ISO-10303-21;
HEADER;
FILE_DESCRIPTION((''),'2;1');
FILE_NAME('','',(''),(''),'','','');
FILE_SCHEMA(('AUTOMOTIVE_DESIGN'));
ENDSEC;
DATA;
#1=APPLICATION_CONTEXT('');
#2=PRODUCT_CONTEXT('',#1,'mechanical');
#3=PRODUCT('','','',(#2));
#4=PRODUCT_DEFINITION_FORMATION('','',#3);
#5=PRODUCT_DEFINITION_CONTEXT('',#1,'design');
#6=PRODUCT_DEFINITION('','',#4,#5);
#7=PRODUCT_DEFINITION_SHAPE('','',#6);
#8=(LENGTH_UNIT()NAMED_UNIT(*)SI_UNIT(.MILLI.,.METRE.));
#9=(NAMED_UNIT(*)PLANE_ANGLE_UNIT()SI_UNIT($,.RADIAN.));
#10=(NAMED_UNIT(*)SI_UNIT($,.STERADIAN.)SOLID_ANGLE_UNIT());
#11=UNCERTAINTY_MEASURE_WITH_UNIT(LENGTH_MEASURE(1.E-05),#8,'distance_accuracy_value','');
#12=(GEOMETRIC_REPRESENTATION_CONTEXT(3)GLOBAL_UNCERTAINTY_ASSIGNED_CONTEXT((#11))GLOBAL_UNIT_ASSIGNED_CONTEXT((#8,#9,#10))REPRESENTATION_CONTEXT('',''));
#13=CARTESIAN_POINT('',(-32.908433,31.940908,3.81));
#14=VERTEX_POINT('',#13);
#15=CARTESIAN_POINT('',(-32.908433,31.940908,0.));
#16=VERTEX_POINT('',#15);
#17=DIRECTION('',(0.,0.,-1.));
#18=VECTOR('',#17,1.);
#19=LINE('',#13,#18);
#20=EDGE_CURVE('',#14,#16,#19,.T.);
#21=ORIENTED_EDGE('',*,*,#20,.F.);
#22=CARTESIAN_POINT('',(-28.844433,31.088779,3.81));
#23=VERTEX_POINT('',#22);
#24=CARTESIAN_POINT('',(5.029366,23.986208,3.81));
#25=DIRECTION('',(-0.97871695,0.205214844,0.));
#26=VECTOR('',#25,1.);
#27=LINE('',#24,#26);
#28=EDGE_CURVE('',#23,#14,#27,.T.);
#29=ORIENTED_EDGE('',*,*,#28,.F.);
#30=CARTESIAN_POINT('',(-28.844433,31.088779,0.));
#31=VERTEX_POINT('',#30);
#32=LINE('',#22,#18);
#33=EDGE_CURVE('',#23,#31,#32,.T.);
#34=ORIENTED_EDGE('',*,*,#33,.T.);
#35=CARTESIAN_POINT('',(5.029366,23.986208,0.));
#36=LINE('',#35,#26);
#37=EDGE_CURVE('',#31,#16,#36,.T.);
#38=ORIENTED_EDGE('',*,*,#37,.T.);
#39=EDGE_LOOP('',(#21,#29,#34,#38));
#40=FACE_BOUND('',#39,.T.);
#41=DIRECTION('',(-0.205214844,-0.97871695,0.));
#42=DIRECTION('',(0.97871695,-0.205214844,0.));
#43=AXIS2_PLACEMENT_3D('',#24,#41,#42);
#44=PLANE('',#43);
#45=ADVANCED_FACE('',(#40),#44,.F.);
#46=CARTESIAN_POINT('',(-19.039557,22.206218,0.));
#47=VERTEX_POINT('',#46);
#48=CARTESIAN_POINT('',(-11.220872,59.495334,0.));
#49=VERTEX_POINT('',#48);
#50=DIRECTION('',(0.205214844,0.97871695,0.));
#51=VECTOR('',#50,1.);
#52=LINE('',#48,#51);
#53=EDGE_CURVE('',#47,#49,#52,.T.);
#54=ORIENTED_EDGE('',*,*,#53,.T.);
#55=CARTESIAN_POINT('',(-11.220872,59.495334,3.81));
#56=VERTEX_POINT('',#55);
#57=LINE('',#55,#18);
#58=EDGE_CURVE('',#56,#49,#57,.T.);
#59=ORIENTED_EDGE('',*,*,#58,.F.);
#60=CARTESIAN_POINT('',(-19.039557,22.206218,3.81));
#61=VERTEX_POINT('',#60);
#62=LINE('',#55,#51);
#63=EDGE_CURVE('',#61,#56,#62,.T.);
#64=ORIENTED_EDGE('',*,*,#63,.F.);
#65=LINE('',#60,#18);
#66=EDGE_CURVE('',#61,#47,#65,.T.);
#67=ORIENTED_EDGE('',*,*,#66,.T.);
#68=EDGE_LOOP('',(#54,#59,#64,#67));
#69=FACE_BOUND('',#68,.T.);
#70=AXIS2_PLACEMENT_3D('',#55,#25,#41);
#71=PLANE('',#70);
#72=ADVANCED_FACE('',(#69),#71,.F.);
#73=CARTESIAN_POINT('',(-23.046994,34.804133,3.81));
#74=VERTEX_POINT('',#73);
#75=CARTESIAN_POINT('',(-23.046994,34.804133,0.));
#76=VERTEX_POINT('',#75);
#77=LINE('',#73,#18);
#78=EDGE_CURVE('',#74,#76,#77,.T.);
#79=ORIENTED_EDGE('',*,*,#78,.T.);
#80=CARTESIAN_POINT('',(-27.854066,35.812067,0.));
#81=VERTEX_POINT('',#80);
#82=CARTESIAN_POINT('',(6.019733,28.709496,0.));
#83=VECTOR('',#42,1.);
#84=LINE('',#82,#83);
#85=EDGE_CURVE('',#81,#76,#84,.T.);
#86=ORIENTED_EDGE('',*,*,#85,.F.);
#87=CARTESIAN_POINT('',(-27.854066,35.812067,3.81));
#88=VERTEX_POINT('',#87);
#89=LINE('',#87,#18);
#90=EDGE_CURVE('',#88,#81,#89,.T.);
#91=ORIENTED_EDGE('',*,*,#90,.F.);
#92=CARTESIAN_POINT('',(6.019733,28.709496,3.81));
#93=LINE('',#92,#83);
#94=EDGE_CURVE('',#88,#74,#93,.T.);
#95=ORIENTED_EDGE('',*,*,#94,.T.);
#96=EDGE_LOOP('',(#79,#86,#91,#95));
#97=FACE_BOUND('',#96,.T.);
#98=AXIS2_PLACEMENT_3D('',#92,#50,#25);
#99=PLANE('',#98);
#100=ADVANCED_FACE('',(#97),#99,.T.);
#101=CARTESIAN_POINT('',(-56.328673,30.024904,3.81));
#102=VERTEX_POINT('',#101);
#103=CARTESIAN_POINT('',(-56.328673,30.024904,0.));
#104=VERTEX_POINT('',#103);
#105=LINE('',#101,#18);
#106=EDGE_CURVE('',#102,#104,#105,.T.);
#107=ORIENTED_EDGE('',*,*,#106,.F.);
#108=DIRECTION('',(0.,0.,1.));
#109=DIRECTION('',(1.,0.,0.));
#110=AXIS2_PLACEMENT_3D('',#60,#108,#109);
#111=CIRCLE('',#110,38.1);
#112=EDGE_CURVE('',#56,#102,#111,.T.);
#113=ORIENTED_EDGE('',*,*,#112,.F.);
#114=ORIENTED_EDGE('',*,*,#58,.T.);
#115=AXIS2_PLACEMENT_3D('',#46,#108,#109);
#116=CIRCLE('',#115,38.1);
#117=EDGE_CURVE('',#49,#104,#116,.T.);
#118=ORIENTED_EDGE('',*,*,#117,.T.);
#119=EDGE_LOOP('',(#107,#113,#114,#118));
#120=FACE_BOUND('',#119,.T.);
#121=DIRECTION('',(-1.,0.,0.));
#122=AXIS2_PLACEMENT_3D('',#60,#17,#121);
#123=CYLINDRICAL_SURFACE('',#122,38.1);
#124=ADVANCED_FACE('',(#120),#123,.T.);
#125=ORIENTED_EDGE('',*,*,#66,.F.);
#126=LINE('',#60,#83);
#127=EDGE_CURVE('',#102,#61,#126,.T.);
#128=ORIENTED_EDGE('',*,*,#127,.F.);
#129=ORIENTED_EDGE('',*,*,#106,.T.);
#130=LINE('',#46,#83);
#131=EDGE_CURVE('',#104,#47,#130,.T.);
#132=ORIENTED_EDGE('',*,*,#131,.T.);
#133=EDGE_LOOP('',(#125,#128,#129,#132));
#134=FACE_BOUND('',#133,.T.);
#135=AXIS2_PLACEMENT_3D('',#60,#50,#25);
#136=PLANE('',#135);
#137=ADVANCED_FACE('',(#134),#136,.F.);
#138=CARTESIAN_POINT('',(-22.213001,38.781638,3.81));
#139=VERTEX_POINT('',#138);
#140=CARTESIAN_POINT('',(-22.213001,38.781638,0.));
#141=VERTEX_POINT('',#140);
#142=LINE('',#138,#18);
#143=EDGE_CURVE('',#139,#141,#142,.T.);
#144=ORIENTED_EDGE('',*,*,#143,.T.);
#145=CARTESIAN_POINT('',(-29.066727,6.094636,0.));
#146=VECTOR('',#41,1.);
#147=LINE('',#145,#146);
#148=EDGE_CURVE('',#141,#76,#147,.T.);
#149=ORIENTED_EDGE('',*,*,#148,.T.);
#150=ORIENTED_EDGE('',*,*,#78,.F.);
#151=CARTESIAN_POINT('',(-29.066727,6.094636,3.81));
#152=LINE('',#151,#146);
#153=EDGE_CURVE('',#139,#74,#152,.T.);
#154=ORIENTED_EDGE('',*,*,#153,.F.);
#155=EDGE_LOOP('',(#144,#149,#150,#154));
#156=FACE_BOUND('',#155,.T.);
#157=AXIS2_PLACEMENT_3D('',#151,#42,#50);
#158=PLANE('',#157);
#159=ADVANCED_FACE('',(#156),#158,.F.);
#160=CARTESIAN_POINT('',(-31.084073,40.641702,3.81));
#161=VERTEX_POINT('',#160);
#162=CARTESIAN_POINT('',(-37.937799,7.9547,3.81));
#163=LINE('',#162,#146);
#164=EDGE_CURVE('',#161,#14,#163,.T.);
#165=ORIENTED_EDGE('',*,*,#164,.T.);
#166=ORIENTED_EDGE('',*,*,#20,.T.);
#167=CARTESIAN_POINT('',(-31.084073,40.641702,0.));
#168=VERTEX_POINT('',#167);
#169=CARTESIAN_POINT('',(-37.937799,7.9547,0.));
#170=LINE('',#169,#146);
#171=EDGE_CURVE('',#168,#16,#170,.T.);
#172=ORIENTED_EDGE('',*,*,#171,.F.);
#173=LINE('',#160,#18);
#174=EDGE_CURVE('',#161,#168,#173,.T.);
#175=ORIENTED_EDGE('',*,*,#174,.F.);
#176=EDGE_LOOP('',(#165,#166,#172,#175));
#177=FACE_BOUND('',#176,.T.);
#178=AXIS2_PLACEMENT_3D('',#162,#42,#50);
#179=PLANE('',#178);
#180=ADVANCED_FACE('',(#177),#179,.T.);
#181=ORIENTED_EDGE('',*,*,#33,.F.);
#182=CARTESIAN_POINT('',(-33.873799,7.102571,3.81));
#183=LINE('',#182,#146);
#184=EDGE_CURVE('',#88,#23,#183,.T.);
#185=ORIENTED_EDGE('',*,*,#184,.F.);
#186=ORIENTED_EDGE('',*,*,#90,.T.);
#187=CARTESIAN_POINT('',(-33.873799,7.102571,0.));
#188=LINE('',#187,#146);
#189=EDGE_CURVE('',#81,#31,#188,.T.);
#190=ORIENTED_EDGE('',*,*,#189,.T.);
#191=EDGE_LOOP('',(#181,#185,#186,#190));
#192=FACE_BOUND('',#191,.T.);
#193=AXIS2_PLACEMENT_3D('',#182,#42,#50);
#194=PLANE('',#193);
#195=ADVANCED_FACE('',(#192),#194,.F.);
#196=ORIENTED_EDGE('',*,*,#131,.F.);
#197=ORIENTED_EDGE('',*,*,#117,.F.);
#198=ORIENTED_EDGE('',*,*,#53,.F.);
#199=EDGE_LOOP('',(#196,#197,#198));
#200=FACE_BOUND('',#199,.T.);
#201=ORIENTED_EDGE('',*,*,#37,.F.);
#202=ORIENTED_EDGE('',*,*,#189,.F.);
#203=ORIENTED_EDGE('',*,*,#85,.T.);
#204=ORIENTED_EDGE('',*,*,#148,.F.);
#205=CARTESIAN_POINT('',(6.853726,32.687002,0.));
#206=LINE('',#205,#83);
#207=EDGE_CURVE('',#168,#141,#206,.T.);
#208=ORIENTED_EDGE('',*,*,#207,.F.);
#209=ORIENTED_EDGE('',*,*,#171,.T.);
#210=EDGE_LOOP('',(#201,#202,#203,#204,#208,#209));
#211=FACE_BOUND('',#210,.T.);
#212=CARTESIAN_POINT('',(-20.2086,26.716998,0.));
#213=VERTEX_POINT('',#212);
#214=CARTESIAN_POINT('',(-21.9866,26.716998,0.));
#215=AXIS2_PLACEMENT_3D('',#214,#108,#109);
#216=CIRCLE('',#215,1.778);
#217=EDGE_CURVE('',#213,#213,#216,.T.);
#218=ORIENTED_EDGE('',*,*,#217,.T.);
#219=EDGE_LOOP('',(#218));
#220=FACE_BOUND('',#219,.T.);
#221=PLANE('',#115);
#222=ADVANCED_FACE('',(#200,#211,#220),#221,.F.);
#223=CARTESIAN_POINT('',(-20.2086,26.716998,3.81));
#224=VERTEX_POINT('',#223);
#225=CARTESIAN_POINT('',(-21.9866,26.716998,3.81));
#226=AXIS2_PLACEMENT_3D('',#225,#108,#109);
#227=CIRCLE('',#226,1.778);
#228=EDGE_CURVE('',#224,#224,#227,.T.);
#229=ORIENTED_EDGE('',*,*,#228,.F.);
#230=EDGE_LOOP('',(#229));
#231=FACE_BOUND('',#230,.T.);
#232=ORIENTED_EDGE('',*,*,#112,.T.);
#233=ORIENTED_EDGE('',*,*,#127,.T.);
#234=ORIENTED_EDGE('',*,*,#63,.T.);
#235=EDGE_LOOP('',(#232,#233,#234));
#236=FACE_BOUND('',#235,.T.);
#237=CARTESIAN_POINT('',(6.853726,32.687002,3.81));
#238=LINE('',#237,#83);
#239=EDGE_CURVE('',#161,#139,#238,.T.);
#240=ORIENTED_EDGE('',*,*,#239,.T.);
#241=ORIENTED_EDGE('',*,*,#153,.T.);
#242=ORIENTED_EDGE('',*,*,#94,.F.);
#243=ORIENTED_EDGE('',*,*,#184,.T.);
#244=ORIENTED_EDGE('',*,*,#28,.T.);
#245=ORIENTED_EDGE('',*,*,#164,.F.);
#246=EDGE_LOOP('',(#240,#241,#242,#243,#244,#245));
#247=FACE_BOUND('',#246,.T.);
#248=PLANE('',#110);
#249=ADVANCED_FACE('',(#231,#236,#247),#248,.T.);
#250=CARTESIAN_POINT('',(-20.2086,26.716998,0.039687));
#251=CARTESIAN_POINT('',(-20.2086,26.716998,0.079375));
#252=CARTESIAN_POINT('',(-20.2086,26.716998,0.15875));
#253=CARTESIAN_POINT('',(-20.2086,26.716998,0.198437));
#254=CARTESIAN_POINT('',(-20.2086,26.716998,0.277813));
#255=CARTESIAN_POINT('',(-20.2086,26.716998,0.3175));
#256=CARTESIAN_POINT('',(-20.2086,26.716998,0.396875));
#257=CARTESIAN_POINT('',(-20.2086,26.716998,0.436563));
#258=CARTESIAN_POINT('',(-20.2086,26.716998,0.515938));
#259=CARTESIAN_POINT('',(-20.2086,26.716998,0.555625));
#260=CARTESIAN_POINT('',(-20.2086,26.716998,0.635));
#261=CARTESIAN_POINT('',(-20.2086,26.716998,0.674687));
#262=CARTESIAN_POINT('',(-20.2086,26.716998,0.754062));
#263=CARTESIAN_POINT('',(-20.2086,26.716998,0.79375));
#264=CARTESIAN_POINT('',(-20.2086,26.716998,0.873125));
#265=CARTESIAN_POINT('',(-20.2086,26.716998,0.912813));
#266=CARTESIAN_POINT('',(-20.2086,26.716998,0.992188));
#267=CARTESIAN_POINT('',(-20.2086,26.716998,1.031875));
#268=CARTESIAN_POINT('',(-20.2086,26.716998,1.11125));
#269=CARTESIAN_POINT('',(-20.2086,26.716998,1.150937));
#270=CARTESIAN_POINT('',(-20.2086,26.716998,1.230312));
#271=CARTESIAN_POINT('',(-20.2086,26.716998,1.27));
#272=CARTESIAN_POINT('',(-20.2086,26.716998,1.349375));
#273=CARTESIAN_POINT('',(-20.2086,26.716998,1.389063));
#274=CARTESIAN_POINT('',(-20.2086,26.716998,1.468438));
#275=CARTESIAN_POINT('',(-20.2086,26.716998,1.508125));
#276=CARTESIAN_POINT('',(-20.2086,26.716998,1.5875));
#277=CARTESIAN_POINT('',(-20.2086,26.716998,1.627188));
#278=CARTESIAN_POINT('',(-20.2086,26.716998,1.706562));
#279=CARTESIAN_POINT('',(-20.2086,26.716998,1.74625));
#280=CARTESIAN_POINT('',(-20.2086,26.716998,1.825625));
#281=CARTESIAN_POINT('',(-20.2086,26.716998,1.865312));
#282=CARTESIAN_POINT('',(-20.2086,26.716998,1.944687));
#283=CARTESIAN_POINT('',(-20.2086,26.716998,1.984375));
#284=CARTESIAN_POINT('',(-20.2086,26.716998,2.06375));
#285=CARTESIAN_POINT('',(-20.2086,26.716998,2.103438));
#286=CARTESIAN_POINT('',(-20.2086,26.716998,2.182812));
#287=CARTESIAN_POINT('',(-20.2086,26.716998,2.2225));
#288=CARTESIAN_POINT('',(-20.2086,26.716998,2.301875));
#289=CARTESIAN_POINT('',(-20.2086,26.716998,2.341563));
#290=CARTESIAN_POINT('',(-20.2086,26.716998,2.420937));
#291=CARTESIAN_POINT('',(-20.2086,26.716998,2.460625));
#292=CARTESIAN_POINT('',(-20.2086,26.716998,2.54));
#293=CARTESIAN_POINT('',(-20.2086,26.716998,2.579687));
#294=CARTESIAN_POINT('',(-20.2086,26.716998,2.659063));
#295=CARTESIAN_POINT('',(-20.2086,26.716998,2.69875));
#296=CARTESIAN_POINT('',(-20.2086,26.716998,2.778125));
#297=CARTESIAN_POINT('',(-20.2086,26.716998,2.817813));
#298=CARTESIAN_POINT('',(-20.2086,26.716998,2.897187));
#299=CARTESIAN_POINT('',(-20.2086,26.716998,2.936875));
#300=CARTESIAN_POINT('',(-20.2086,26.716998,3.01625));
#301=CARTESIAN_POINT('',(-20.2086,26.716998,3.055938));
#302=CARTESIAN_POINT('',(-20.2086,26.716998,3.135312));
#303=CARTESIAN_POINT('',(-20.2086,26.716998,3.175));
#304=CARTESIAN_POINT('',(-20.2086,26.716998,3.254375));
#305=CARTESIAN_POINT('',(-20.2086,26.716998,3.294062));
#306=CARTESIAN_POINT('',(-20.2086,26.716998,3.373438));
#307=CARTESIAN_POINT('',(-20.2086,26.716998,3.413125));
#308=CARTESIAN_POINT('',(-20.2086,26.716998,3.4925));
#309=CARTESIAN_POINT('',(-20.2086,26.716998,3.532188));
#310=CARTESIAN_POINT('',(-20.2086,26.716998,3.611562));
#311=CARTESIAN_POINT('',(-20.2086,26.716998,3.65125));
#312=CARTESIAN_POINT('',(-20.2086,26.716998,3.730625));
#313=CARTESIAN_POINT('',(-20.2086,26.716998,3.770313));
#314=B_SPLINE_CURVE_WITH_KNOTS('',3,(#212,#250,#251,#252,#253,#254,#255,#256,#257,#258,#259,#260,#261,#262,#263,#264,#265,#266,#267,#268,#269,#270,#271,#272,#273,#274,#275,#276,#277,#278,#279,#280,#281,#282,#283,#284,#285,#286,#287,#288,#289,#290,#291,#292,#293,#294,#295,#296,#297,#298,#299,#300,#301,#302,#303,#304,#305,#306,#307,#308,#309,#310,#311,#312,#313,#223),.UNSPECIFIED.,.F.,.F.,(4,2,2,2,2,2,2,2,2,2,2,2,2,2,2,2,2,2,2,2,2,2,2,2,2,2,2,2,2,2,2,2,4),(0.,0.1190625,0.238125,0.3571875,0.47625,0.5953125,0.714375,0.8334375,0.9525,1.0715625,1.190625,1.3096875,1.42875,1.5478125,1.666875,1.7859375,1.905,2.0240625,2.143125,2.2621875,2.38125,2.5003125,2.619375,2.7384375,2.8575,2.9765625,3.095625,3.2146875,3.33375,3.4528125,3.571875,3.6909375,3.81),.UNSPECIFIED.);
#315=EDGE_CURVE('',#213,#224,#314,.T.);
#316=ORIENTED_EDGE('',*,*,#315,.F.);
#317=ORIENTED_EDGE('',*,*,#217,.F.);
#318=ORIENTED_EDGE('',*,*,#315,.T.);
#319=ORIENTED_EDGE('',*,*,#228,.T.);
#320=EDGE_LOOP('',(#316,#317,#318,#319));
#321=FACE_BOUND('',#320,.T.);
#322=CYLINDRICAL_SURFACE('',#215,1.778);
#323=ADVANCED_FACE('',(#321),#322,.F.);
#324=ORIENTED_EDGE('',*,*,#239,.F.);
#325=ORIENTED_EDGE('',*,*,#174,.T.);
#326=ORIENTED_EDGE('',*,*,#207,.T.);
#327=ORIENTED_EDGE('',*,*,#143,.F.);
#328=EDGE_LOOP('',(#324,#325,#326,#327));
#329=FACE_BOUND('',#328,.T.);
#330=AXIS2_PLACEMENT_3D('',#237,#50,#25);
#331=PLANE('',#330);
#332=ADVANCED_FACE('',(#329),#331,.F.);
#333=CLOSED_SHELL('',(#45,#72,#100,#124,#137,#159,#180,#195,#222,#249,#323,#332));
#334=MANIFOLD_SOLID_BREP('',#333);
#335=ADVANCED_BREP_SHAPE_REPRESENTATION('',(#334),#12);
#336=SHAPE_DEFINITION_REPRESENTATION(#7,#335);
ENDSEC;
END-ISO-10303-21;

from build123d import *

# Parameters (mm, degrees)
BOSS_EXTRUDE2_DEPTH = 3.81
SKETCH3_R           = 1.778
CUT_EXTRUDE1_DEPTH  = 83.609172725
CUT_EXTRUDE2_DEPTH  = 83.609172725


with BuildPart() as part:
    # Sketch2 → Boss-Extrude2 (new body)
    with BuildSketch(Plane.XY):
        with BuildLine():
            Line((-11.22087151, 59.495333804), (-19.039557078, 22.20621802))
            Line((-19.039557078, 22.20621802), (-56.328672862, 30.024903588))
            ThreePointArc((-56.328672862, 30.024903588), (-39.878298128, 54.102250241), (-11.22087151, 59.495333804))
        make_face()
    extrude(amount=BOSS_EXTRUDE2_DEPTH)

    # Sketch3 → Cut-Extrude1 (cut, through all)
    with BuildSketch(Plane.XY.offset(3.81)):
        with Locations((-21.986600099, 26.716998155)):
            Circle(SKETCH3_R)
    extrude(amount=-CUT_EXTRUDE1_DEPTH, mode=Mode.SUBTRACT)

    # Sketch4 → Cut-Extrude2 (cut, through all)
    with BuildSketch(Plane(origin=(0, 0, 0), x_dir=(-1, 0, 0), z_dir=(0, 0, -1))):
        Polygon((31.084073207, 40.641701891), (22.213000878, 38.781638338), (23.046994005, 34.804132654), (31.918066334, 36.664196207), align=None)
        Polygon((32.908433172, 31.940908208), (31.918066334, 36.664196207), (27.854066334, 35.812067175), (28.844433172, 31.088779176), align=None)
    extrude(amount=-CUT_EXTRUDE2_DEPTH, mode=Mode.SUBTRACT)


solid = part.part
